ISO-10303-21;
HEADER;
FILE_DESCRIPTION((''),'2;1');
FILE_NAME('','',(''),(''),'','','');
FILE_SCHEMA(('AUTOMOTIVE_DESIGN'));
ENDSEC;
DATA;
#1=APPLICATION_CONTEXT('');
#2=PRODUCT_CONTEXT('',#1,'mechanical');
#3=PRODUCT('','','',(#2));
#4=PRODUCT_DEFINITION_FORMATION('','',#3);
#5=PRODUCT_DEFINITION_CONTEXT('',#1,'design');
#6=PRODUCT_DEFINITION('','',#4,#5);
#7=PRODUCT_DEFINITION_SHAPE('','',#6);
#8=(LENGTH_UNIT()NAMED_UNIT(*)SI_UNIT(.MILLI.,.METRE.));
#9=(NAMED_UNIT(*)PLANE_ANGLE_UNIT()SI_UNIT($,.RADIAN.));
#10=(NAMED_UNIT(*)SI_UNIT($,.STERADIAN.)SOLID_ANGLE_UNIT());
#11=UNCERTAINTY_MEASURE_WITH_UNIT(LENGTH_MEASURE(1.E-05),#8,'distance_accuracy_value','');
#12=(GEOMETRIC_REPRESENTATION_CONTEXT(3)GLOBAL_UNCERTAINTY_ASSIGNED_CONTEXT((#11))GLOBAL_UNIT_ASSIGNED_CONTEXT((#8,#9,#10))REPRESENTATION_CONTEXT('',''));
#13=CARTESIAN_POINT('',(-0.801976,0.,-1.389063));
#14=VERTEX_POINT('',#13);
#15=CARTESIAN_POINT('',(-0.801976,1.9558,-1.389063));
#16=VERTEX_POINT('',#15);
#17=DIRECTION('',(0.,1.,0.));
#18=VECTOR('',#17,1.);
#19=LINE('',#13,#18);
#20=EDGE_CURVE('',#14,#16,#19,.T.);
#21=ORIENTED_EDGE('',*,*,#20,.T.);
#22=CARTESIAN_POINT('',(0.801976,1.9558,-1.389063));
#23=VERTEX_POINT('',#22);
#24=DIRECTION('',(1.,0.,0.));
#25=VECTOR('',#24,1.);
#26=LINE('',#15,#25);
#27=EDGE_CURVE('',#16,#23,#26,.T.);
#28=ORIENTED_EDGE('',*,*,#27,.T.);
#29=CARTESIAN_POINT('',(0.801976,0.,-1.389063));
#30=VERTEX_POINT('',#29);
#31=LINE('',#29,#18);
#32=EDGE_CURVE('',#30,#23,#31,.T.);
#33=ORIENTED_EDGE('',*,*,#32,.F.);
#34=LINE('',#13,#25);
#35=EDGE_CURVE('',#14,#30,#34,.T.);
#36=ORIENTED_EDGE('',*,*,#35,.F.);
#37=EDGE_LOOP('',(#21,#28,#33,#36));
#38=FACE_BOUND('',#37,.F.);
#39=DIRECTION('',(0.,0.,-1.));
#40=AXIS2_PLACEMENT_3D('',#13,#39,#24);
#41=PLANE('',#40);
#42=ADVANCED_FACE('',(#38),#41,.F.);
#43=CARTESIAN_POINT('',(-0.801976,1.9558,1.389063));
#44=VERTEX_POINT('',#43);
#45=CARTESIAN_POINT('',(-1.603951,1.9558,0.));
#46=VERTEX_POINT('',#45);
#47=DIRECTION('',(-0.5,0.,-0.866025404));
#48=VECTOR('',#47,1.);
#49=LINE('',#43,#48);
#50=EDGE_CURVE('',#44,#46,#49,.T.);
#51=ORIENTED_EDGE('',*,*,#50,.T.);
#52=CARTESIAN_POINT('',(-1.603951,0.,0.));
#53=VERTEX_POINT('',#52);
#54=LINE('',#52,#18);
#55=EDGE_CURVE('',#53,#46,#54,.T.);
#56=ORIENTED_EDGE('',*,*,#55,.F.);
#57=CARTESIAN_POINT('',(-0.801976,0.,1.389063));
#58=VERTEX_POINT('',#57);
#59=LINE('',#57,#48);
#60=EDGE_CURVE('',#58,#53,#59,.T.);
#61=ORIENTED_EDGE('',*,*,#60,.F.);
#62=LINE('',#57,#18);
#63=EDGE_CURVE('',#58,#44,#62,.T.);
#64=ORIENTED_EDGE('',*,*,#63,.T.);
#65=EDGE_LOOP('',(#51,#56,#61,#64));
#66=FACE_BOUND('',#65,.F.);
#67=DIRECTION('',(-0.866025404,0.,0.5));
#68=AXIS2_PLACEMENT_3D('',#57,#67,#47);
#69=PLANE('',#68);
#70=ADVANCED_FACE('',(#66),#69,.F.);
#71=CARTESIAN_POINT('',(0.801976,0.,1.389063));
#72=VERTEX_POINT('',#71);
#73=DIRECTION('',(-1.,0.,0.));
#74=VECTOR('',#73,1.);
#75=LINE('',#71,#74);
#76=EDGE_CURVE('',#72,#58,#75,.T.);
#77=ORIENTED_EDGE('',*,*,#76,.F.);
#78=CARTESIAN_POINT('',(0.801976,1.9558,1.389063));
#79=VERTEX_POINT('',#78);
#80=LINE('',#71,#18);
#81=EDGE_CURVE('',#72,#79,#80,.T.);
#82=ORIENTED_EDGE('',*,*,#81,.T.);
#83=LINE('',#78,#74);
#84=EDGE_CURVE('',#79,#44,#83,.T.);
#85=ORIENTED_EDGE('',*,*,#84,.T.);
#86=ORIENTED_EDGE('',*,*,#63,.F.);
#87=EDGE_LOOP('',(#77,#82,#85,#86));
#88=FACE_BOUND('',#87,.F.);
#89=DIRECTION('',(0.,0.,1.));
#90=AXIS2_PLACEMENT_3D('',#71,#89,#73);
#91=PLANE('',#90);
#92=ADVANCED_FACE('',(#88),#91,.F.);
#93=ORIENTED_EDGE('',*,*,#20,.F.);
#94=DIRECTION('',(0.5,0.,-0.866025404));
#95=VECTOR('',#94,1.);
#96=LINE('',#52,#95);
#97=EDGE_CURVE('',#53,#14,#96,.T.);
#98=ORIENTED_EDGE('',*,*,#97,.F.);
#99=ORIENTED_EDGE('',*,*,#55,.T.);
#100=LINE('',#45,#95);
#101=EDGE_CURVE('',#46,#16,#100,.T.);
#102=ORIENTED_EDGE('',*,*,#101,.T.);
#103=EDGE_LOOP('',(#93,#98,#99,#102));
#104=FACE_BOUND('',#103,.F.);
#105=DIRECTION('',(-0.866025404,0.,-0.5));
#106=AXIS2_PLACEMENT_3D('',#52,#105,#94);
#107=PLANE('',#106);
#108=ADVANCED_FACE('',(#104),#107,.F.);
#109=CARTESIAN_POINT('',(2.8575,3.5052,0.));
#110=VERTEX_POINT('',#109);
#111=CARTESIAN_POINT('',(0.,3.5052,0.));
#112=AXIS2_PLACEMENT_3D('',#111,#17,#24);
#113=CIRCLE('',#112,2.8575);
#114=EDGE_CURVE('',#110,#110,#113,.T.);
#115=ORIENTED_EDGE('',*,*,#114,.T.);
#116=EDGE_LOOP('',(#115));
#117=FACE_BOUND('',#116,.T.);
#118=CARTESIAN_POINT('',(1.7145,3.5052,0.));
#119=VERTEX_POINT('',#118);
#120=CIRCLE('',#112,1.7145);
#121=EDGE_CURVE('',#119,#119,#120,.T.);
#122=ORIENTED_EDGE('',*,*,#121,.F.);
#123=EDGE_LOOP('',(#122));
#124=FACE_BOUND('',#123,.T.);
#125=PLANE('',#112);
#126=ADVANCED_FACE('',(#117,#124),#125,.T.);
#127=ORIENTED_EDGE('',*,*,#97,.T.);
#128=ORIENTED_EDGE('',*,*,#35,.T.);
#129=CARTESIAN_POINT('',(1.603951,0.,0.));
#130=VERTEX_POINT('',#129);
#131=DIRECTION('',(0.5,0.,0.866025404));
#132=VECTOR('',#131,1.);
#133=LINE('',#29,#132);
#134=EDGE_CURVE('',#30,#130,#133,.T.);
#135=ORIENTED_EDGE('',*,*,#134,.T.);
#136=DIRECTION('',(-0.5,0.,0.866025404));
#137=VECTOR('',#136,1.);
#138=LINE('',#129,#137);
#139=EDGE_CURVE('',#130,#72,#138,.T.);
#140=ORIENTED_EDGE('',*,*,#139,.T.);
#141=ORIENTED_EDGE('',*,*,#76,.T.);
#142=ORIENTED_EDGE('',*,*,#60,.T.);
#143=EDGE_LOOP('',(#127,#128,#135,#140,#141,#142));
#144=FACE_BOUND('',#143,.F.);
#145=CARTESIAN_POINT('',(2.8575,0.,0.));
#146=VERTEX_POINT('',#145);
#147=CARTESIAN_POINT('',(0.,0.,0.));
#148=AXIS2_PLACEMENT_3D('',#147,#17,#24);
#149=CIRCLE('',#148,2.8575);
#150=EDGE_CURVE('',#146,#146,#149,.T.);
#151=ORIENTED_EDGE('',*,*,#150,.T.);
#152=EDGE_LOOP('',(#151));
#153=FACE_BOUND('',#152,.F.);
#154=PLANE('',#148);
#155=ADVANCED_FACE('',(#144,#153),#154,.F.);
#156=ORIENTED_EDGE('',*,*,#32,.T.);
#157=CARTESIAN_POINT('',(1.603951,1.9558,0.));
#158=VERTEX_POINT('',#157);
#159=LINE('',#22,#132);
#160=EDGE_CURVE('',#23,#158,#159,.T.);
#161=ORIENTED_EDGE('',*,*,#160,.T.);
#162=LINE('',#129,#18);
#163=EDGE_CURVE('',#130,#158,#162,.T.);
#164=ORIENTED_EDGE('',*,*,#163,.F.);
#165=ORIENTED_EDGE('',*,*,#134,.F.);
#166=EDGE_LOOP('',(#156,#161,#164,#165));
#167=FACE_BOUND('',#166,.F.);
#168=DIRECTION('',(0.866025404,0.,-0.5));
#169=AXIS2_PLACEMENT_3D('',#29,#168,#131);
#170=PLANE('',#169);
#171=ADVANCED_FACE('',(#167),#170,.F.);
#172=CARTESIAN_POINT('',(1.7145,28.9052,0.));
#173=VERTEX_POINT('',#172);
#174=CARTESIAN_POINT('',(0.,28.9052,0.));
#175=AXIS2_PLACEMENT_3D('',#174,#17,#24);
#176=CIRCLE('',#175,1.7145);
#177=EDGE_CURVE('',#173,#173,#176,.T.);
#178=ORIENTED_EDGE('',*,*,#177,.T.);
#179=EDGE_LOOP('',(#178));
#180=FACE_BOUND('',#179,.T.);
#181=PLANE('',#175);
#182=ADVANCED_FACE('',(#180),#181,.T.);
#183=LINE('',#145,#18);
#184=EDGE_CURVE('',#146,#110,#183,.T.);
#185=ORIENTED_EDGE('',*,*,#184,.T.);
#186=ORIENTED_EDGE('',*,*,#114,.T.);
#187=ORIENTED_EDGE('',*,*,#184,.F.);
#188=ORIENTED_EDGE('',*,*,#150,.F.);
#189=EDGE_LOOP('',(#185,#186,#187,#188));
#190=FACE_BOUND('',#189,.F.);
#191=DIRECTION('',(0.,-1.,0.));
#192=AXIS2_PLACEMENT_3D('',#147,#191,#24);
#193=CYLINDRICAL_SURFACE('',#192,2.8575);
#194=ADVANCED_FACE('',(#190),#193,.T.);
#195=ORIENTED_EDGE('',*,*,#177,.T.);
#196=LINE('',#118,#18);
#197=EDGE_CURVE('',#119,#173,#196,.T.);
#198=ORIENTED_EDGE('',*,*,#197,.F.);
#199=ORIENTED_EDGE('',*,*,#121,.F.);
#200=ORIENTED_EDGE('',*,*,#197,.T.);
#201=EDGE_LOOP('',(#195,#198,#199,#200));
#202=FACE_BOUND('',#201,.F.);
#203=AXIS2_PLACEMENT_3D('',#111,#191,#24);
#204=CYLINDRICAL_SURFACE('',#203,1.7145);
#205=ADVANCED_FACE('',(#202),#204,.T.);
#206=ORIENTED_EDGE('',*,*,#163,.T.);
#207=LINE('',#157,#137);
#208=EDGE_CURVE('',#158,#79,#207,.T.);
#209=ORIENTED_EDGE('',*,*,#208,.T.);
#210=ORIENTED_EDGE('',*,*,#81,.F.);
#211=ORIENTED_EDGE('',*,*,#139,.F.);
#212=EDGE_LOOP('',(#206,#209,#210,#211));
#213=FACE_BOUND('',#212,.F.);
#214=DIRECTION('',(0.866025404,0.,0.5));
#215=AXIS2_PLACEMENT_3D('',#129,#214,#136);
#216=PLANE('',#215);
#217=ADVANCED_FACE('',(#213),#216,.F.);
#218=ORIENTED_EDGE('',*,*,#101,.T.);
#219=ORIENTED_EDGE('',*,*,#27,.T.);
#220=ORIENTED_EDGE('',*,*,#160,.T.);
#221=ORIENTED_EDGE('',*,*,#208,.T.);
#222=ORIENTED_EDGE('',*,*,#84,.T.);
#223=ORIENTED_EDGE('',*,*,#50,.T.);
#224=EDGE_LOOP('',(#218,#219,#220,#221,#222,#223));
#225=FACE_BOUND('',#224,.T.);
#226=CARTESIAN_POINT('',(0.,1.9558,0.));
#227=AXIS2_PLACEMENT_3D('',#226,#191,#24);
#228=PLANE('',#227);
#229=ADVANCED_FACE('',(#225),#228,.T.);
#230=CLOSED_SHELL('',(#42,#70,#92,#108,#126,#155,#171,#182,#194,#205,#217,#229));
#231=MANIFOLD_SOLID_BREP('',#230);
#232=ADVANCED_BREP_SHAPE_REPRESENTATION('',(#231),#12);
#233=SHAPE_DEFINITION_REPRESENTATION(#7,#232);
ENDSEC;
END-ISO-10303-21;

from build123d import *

# Parameters (mm, degrees)
SKETCH1_R           = 2.8575
BOSS_EXTRUDE1_DEPTH = 3.5052
CUT_EXTRUDE1_DEPTH  = 1.9558
SKETCH3_R           = 1.7145
BOSS_EXTRUDE2_DEPTH = 25.4


with BuildPart() as part:
    # Sketch1 → Boss-Extrude1 (new body)
    with BuildSketch(Plane(origin=(0, 0, 0), x_dir=(1, 0, 0), z_dir=(0, 1, 0))):
        Circle(SKETCH1_R)
    extrude(amount=BOSS_EXTRUDE1_DEPTH)

    # Sketch2 → Cut-Extrude1 (cut)
    with BuildSketch(Plane.XZ):
        Polygon((1.603951217, 0), (0.801975608, 1.3890625), (-0.801975608, 1.3890625), (-1.603951217, 0), (-0.801975608, -1.3890625), (0.801975608, -1.3890625), align=None)
    extrude(amount=-CUT_EXTRUDE1_DEPTH, mode=Mode.SUBTRACT)

    # Sketch3 → Boss-Extrude2 (add)
    with BuildSketch(Plane(origin=(0, 3.5052, 0), x_dir=(1, 0, 0), z_dir=(0, 1, 0))):
        Circle(SKETCH3_R)
    extrude(amount=BOSS_EXTRUDE2_DEPTH)


solid = part.part
